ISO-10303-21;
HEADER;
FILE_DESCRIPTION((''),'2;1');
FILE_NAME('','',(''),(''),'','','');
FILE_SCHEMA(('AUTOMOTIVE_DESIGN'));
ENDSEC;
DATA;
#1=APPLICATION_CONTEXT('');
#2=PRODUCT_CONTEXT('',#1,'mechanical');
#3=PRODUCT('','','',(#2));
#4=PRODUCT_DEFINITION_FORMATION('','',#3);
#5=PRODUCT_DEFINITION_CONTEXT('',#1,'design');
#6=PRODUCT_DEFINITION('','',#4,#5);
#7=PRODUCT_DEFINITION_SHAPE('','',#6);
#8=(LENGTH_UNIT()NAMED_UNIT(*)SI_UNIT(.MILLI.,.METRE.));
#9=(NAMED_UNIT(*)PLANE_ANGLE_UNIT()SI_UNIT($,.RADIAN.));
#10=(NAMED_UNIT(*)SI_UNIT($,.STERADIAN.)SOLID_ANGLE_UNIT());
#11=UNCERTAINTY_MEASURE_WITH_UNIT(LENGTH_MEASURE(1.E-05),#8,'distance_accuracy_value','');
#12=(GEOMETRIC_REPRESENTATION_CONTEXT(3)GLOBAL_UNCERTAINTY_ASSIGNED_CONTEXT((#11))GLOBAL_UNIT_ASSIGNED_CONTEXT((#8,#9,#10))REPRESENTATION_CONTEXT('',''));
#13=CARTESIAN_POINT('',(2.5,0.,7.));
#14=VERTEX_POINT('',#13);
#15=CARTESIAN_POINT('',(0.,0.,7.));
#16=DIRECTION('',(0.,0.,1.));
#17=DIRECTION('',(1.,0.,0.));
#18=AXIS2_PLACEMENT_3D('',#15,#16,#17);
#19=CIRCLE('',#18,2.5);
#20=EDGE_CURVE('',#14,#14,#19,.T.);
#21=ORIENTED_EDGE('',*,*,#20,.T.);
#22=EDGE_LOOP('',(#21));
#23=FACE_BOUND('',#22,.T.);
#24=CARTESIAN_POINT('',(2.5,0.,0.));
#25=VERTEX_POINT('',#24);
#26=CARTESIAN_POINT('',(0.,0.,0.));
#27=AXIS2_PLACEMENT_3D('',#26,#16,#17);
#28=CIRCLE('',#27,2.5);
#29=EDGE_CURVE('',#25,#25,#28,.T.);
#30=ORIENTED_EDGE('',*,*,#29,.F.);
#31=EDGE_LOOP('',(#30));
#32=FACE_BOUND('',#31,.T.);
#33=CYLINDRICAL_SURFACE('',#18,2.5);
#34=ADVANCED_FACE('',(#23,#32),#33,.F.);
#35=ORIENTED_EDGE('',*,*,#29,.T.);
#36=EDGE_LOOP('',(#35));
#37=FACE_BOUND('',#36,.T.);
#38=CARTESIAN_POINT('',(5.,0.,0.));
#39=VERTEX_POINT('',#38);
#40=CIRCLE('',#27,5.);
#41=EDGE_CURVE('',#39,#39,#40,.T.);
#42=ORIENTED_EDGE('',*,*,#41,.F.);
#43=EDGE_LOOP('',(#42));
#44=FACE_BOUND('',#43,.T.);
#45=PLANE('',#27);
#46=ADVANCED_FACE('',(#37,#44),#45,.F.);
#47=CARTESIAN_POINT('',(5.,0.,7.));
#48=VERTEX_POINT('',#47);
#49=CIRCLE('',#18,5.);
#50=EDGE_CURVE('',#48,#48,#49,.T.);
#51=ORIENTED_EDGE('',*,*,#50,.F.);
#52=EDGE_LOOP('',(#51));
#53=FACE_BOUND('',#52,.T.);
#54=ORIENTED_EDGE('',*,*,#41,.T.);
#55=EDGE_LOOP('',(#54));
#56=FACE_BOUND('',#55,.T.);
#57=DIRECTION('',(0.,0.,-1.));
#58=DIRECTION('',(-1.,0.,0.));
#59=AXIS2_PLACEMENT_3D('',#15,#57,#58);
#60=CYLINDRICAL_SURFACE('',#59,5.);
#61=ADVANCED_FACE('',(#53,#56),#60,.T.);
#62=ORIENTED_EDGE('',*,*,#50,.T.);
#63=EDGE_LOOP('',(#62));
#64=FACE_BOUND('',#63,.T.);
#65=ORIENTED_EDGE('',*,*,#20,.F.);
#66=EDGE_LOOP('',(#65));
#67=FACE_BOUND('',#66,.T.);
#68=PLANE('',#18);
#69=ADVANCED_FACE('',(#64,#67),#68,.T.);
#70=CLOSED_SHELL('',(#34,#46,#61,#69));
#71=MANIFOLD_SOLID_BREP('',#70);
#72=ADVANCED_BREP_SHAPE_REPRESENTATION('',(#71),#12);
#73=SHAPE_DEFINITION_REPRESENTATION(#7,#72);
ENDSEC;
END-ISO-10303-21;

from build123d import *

# Parameters (mm, degrees)
SKETCH1_R                 = 5
BOSS_EXTRUDE1_DEPTH       = 7
F_5_0MM_DOWEL_HOLE1_D     = 5
F_5_0MM_DOWEL_HOLE1_DEPTH = 7


with BuildPart() as part:
    # Sketch1 → Boss-Extrude1 (new body)
    with BuildSketch(Plane.XY):
        Circle(SKETCH1_R)
    extrude(amount=BOSS_EXTRUDE1_DEPTH)

    # Ø5.0mm Dowel Hole1
    with Locations(Plane.XY.offset(7)):
        with Locations((0, 0)):
            Hole(F_5_0MM_DOWEL_HOLE1_D / 2, depth=F_5_0MM_DOWEL_HOLE1_DEPTH)


solid = part.part
